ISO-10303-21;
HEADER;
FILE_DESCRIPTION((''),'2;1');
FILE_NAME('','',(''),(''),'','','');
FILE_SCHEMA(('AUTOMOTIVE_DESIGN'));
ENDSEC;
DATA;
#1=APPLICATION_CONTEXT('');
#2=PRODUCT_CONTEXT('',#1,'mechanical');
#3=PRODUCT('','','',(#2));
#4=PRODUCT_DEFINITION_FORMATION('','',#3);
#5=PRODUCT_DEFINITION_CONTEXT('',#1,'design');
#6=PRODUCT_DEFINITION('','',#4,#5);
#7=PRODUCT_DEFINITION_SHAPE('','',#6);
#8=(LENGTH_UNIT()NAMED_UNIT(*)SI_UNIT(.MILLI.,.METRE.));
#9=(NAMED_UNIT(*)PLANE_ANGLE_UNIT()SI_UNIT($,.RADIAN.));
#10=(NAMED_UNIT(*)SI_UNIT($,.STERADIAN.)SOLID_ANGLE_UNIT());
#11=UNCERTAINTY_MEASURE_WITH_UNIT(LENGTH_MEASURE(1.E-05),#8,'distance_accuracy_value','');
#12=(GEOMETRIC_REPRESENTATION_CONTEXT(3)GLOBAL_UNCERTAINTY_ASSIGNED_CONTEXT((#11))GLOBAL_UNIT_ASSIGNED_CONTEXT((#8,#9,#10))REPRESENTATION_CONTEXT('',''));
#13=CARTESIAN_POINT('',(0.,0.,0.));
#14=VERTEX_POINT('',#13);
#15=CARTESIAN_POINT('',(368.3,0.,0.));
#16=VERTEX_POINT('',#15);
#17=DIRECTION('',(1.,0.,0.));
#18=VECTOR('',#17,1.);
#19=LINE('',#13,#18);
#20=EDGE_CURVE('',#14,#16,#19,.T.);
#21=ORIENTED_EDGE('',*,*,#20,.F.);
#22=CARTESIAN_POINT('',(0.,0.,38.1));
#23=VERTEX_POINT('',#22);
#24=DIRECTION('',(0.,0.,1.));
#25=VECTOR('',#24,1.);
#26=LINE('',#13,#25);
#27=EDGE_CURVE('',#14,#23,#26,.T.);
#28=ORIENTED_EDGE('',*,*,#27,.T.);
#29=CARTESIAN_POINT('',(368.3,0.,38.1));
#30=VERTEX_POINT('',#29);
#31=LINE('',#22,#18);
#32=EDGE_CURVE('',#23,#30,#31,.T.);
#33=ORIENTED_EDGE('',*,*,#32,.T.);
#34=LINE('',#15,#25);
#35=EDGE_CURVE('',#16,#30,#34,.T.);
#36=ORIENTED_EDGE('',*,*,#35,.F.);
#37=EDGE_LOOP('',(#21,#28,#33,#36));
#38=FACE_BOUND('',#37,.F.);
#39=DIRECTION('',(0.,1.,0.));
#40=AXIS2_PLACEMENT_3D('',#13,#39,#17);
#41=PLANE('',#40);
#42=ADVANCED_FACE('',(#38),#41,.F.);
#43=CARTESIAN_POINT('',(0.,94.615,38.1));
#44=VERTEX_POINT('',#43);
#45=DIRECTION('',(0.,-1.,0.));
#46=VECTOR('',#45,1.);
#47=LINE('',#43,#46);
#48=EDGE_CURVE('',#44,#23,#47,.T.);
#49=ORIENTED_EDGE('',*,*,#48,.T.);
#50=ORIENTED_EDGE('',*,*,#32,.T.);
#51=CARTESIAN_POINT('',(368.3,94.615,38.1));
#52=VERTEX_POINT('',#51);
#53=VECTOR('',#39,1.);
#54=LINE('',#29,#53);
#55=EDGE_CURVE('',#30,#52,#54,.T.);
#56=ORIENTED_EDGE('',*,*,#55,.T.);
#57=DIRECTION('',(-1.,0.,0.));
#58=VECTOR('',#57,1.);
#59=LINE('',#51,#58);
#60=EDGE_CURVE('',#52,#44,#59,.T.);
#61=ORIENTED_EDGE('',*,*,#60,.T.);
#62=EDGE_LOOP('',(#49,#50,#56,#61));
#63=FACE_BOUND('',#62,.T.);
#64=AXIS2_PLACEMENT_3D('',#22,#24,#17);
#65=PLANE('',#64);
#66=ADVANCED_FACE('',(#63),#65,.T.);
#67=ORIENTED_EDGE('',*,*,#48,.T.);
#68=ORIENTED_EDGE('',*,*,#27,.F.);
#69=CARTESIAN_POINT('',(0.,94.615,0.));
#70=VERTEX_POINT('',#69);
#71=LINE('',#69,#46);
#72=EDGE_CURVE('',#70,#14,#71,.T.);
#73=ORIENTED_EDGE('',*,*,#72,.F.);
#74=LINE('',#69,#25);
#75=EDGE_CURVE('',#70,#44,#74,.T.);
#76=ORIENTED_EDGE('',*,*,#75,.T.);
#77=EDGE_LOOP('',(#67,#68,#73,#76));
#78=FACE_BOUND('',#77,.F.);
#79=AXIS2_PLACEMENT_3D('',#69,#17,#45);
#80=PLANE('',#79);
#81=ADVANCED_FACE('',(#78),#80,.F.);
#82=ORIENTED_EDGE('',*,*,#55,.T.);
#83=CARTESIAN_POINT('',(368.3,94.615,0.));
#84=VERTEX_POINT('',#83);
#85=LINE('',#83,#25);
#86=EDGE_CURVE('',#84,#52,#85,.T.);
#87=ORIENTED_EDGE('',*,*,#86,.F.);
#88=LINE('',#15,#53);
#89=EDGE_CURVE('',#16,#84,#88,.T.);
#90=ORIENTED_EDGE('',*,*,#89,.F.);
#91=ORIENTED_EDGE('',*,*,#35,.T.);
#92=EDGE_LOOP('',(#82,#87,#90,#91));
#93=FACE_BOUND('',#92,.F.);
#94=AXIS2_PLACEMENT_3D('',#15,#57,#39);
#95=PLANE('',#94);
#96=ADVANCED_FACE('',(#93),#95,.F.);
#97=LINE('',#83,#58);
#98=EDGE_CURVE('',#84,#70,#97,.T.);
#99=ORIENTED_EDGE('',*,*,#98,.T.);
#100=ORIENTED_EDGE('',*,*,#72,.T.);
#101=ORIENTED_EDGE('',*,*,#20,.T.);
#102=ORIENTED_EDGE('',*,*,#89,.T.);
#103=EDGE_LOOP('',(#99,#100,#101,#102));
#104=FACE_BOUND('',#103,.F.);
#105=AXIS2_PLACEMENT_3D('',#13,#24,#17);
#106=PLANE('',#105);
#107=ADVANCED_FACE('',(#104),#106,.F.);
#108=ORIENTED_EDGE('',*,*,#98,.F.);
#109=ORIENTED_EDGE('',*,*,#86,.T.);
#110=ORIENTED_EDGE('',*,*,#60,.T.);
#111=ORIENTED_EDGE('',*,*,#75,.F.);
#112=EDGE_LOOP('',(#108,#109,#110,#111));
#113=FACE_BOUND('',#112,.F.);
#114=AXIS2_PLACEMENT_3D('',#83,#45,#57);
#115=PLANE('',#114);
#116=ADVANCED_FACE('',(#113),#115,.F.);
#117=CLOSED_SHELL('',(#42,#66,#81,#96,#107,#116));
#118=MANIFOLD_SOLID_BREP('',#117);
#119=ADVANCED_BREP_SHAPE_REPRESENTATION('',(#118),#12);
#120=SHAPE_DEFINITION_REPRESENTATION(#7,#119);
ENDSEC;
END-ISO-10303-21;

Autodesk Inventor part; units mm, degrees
ref_plane "YZ Plane" through (0, 0, 0) normal (1, 0, 0) x (0, 1, 0)
ref_plane "XZ Plane" through (0, 0, 0) normal (0, 1, 0) x (-1, 0, 0)
ref_plane "XY Plane" through (0, 0, 0) normal (0, 0, 1) x (1, 0, 0)
sketch "Sketch1" plane through (0, 0, 0) normal (0, 0, 1) x (1, 0, 0)
  line L0 (0, 0) -> (368.3, 0)
  line L1 (368.3, 0) -> (368.3, 94.615)
  line L2 (368.3, 94.615) -> (0, 94.615)
  line L3 (0, 94.615) -> (0, 0)
  dimension "d2" = 94.615
  dimension "d3" = 368.3
extrude "Extrusion1" add sketch "Sketch1" along normal blind 38.1
properties part number "Subfascia_With_Dimensions_5.798_x_14.5_Inches" material "Wood (Birch)"
